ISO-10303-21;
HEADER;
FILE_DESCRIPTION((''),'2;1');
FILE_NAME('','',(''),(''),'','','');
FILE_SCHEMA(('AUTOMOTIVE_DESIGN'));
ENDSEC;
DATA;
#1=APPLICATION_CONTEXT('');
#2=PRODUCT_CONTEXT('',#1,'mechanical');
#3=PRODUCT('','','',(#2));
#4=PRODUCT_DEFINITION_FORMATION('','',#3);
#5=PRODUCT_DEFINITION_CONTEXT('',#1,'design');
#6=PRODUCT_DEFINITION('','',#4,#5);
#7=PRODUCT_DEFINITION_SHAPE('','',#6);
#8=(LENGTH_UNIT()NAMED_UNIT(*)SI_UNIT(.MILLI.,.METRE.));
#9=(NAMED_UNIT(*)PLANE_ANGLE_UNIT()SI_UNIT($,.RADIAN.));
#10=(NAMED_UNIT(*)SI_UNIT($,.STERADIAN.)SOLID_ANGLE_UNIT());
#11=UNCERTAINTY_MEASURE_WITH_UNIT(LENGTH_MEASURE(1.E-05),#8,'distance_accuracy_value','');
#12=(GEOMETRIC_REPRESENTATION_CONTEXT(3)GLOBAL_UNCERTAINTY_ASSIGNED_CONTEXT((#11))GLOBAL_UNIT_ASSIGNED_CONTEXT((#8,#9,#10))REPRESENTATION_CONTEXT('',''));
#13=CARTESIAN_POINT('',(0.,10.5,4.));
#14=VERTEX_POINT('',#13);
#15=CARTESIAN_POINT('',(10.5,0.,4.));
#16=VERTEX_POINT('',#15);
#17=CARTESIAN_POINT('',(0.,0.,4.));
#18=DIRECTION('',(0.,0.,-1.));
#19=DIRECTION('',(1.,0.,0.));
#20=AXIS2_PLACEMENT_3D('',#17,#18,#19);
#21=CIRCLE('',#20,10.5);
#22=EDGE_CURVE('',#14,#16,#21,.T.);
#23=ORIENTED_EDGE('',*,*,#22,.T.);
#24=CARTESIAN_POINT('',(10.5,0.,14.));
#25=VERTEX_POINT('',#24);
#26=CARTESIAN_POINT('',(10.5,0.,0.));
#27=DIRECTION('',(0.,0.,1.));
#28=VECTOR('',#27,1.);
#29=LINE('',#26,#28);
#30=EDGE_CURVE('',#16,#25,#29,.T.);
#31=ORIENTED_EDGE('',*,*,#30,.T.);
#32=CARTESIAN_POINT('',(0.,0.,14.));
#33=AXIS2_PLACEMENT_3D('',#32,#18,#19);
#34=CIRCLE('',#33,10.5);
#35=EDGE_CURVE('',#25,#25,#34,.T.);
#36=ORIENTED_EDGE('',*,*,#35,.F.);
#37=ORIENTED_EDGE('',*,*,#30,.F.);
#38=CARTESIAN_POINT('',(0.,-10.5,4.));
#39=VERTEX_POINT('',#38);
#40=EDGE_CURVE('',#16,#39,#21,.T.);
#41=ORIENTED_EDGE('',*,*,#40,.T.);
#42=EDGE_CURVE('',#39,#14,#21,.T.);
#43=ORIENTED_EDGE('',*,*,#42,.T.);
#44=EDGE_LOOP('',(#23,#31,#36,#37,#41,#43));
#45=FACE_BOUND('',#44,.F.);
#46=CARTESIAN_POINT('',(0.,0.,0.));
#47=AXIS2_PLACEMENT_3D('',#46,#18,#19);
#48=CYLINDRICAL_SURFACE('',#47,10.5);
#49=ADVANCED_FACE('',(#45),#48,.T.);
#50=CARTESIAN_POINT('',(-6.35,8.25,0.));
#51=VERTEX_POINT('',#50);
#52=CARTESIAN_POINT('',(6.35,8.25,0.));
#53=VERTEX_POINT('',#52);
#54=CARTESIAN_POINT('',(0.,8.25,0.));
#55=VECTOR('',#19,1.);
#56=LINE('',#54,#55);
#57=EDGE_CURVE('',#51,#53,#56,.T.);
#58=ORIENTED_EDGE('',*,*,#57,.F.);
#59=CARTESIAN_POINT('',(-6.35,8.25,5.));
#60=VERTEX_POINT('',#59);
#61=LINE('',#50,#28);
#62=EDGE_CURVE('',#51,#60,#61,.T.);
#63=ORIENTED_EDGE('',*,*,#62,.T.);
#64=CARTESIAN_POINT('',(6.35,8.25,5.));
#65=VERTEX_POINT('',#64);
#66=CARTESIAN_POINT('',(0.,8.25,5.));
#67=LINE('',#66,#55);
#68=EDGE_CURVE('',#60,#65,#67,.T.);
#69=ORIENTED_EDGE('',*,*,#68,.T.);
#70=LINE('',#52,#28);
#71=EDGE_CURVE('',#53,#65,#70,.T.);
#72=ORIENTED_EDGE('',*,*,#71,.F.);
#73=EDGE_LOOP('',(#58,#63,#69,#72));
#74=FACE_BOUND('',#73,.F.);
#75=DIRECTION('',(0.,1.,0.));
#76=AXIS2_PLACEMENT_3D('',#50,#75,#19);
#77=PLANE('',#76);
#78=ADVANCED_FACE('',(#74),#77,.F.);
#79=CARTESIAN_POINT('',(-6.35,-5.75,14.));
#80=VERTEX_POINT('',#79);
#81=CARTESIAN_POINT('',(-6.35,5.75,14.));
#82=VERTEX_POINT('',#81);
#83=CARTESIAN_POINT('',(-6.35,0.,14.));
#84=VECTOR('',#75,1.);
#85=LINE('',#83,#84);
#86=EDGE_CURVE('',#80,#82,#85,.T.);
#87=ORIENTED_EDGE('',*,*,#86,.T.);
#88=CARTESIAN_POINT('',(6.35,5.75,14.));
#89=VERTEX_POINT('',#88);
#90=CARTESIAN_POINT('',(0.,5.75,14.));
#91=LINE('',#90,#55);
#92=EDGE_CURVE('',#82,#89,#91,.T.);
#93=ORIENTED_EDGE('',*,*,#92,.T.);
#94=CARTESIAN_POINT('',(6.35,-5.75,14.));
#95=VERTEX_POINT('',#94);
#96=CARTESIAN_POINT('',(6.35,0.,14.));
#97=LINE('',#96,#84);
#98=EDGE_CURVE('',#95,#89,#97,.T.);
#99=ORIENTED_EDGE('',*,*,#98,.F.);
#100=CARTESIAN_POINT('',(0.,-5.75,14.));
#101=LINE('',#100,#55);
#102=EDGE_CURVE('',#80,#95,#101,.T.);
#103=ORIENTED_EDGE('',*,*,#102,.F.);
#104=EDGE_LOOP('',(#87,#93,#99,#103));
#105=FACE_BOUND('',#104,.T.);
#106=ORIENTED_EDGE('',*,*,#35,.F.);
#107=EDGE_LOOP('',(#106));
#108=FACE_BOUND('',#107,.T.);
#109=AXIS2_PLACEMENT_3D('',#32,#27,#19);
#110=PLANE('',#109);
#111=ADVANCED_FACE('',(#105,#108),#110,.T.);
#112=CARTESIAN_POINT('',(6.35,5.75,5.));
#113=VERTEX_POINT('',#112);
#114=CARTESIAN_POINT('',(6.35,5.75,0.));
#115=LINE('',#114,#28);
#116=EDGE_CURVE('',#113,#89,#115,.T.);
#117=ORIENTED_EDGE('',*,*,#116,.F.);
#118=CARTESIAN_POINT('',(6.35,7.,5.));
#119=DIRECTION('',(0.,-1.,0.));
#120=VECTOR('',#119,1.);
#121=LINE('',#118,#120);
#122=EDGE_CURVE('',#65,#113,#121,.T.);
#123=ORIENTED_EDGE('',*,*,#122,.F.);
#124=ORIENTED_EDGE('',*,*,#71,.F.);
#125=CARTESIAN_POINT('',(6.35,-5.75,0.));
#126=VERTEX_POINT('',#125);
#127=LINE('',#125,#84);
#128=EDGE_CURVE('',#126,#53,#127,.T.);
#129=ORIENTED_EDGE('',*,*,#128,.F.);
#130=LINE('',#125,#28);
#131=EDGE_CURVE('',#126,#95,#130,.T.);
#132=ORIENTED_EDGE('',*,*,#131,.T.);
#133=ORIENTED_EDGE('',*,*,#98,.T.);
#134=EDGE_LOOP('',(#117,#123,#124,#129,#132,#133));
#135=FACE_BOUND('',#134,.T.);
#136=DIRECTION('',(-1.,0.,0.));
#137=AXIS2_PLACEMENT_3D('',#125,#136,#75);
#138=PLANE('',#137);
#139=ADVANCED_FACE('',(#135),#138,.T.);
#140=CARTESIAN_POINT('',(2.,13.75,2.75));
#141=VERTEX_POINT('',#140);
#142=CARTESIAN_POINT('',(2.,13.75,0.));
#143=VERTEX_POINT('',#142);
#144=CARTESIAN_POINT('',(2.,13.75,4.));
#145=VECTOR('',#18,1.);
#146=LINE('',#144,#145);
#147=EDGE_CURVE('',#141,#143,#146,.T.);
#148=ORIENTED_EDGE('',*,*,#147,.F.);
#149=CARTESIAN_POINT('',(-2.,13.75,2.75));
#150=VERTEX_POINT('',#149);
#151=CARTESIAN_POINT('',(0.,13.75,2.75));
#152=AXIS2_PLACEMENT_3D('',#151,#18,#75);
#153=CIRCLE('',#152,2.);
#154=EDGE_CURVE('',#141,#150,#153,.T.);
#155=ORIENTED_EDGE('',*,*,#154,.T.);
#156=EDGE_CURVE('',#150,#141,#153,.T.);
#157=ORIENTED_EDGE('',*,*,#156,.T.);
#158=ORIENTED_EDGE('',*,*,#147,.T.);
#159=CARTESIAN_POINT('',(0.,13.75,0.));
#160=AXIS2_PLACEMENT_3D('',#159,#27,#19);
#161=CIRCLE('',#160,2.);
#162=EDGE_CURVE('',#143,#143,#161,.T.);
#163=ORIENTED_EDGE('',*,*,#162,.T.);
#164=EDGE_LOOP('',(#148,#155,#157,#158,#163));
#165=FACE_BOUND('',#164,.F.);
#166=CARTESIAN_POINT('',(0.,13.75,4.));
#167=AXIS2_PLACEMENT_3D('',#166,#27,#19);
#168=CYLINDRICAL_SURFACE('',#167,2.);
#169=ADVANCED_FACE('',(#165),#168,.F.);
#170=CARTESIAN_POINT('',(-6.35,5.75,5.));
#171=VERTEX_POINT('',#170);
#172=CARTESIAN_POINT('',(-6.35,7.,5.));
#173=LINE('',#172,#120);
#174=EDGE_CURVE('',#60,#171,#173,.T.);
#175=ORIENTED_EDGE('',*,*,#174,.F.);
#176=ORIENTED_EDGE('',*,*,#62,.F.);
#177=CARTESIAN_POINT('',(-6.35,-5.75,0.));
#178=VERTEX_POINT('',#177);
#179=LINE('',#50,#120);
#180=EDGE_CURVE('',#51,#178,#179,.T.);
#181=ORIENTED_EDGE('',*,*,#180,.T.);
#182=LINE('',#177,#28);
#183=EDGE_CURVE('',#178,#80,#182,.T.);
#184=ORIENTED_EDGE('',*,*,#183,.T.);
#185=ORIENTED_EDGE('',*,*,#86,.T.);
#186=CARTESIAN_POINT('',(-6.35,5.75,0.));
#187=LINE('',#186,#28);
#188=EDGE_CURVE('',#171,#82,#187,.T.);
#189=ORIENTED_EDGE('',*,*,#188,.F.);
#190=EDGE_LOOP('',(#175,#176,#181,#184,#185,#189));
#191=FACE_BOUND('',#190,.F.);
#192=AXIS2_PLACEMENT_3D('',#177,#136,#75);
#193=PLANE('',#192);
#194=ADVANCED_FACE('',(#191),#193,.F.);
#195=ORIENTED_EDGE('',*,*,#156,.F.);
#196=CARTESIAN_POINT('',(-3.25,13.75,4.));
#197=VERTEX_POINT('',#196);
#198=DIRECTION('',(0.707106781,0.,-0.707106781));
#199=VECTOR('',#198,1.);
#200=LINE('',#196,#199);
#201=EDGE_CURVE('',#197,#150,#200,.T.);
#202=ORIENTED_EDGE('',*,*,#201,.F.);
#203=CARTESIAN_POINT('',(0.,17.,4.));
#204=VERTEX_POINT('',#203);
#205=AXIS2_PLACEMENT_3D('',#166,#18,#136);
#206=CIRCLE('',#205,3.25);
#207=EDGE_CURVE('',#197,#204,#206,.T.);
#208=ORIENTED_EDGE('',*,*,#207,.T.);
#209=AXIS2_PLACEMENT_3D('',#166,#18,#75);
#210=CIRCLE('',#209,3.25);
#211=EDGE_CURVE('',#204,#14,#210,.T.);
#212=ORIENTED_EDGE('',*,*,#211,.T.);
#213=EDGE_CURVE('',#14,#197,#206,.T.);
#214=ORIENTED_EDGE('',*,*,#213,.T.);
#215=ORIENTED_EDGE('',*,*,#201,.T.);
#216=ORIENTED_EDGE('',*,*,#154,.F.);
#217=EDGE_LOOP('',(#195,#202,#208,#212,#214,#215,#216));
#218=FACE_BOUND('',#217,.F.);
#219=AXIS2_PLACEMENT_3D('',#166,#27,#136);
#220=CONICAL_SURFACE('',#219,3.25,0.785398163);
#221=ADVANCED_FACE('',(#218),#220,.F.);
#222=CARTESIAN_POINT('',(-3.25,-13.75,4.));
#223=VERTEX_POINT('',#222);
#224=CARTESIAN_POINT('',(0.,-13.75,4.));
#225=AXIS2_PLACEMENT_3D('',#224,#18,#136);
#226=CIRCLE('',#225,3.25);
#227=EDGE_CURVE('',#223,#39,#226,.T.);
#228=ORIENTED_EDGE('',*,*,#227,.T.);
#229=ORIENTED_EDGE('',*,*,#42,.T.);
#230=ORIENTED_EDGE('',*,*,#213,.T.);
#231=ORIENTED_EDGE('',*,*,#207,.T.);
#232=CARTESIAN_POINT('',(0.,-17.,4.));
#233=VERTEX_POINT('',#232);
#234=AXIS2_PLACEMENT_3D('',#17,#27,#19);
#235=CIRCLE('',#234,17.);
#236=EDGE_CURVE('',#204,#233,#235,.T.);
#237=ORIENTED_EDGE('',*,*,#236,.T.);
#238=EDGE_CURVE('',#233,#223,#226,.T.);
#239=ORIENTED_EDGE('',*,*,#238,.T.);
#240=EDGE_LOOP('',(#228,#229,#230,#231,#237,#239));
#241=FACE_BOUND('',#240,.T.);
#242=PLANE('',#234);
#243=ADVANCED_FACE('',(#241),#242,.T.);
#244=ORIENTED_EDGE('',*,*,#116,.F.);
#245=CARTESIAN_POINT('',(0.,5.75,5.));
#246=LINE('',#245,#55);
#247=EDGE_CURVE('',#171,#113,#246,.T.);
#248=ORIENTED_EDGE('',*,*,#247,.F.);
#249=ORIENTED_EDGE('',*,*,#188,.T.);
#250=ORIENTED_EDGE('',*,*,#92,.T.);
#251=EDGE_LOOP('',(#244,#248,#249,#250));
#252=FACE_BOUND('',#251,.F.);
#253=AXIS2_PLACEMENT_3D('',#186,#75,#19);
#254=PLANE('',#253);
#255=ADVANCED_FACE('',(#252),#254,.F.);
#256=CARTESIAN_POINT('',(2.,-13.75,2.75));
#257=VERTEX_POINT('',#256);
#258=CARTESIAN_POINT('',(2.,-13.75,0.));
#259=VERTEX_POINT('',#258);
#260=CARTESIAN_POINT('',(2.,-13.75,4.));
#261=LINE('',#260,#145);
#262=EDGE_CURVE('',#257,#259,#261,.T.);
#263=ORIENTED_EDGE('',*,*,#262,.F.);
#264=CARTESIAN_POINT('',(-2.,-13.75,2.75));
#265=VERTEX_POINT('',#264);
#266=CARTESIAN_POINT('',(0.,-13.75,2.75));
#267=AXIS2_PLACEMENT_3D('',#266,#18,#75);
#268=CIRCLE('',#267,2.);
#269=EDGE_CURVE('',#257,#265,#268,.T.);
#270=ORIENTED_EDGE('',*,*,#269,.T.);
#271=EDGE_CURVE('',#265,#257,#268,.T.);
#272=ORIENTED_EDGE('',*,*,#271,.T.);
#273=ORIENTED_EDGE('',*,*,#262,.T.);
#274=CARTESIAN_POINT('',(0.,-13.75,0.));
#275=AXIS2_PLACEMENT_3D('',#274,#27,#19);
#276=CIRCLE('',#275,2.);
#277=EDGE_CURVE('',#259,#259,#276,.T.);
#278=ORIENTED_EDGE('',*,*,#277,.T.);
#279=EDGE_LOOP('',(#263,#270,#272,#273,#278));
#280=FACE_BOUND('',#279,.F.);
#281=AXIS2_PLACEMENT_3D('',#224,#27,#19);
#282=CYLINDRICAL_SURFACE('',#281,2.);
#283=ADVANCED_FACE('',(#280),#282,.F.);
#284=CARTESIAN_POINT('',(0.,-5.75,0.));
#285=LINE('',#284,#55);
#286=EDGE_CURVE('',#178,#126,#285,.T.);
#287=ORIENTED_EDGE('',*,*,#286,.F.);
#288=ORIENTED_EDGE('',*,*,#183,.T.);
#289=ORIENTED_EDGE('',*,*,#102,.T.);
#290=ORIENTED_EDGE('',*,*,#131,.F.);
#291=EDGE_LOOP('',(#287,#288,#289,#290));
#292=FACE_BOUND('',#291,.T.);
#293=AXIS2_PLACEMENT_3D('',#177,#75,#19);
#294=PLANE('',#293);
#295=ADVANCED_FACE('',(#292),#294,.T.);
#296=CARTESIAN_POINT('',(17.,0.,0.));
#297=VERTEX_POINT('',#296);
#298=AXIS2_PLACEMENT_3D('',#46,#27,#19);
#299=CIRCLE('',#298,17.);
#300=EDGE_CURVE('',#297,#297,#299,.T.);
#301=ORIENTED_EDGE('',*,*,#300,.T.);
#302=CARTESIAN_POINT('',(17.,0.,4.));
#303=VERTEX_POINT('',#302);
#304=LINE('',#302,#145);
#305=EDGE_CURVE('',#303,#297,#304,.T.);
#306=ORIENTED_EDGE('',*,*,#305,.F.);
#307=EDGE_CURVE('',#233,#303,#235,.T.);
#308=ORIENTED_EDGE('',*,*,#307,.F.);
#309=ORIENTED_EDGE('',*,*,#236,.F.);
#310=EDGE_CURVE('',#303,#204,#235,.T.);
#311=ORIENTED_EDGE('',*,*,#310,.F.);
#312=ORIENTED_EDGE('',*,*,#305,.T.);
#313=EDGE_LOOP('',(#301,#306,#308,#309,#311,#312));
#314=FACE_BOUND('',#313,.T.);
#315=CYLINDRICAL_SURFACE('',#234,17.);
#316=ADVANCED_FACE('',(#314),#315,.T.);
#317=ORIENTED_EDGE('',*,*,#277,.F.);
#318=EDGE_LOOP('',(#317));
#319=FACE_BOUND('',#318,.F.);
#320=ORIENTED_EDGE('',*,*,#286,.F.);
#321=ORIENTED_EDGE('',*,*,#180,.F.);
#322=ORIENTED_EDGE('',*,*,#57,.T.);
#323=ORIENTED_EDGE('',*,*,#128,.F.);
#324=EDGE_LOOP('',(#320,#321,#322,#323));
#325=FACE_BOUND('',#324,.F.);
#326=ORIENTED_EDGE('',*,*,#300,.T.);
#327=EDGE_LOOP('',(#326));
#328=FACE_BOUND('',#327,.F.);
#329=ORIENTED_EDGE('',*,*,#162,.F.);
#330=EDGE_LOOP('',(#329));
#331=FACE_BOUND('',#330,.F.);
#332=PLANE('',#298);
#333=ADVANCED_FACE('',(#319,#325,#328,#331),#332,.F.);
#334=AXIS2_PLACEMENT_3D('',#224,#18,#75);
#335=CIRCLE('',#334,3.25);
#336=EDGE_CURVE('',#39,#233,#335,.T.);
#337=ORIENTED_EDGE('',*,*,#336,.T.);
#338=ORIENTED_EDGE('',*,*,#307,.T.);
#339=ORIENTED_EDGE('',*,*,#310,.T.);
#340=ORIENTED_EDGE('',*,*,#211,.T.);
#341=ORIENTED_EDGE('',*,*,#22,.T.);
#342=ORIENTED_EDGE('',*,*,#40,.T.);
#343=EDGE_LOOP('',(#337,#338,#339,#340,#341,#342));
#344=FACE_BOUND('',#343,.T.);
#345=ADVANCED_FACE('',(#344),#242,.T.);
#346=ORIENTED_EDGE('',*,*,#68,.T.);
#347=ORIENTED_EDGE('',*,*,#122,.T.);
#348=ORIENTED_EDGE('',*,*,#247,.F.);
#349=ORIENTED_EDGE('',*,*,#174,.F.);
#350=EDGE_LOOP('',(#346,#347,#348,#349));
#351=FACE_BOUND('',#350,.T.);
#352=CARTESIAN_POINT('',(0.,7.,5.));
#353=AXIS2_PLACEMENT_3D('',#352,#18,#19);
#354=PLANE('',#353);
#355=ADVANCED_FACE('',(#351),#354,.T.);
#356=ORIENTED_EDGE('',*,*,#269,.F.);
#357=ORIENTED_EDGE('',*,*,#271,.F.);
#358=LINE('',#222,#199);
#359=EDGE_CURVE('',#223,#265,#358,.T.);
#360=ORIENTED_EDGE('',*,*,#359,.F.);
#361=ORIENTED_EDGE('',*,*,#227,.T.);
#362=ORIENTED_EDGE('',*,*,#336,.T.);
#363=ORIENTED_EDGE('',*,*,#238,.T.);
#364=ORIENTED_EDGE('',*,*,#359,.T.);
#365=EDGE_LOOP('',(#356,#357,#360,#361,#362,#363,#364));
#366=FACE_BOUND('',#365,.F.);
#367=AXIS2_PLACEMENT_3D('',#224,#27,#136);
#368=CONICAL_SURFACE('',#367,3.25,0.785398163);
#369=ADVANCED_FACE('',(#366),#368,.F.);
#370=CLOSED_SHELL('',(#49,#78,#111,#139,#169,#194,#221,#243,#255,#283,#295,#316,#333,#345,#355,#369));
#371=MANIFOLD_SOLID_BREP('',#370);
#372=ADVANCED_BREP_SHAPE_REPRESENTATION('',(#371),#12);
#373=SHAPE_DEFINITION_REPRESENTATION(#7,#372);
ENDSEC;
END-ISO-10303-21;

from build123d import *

# Parameters (mm, degrees)
F0_R           = 10.5
F0_W           = 12.7
F0_H           = 11.5
F1_DEPTH       = 14
F4_R           = 17
F4_R_2         = 2
F4_R_3         = 9.1303140993
F5_DEPTH       = 4
F2_W           = 12.7
F2_H           = 2.5
F6_DEPTH       = 5
F7_D           = 4
F7_DEPTH       = 10
F7_CSINK_D     = 6.5
F7_CSINK_ANGLE = 90
F7_TIP         = 1.2017212381


with BuildPart() as f1:
    # F0 (on Top) → F1 (new body)
    with BuildSketch(Plane.XY):
        Circle(F0_R)
        Rectangle(F0_W, F0_H, mode=Mode.SUBTRACT)
    extrude(amount=F1_DEPTH)

    # F4 (on offset) → F5 (join)
    with BuildSketch(Plane.XY.offset(4)):
        Circle(F4_R)
        with Locations((0, -13.75)):
            Circle(F4_R_2, mode=Mode.SUBTRACT)
        Circle(F4_R_3, mode=Mode.SUBTRACT)
        with Locations((0, 13.75)):
            Circle(F4_R_2, mode=Mode.SUBTRACT)
    extrude(amount=-F5_DEPTH)

    # F2 (on face) → F6 (cut)
    with BuildSketch(Plane(origin=(0, 0, 0), x_dir=(1, 0, 0), z_dir=(0, 0, -1))):
        with Locations((0, -7)):
            Rectangle(F2_W, F2_H)
    extrude(amount=-F6_DEPTH, mode=Mode.SUBTRACT)

    # F7
    with Locations(Plane.XY.offset(4)):
        with Locations((0, 13.75), (0, -13.75)):
            CounterSinkHole(F7_D / 2, F7_CSINK_D / 2, depth=F7_DEPTH, counter_sink_angle=F7_CSINK_ANGLE)
            with Locations((0, 0, -(F7_DEPTH + F7_TIP / 2))):  # 118° drill point
                Cone(0, F7_D / 2, F7_TIP, mode=Mode.SUBTRACT)


solid = f1.part
